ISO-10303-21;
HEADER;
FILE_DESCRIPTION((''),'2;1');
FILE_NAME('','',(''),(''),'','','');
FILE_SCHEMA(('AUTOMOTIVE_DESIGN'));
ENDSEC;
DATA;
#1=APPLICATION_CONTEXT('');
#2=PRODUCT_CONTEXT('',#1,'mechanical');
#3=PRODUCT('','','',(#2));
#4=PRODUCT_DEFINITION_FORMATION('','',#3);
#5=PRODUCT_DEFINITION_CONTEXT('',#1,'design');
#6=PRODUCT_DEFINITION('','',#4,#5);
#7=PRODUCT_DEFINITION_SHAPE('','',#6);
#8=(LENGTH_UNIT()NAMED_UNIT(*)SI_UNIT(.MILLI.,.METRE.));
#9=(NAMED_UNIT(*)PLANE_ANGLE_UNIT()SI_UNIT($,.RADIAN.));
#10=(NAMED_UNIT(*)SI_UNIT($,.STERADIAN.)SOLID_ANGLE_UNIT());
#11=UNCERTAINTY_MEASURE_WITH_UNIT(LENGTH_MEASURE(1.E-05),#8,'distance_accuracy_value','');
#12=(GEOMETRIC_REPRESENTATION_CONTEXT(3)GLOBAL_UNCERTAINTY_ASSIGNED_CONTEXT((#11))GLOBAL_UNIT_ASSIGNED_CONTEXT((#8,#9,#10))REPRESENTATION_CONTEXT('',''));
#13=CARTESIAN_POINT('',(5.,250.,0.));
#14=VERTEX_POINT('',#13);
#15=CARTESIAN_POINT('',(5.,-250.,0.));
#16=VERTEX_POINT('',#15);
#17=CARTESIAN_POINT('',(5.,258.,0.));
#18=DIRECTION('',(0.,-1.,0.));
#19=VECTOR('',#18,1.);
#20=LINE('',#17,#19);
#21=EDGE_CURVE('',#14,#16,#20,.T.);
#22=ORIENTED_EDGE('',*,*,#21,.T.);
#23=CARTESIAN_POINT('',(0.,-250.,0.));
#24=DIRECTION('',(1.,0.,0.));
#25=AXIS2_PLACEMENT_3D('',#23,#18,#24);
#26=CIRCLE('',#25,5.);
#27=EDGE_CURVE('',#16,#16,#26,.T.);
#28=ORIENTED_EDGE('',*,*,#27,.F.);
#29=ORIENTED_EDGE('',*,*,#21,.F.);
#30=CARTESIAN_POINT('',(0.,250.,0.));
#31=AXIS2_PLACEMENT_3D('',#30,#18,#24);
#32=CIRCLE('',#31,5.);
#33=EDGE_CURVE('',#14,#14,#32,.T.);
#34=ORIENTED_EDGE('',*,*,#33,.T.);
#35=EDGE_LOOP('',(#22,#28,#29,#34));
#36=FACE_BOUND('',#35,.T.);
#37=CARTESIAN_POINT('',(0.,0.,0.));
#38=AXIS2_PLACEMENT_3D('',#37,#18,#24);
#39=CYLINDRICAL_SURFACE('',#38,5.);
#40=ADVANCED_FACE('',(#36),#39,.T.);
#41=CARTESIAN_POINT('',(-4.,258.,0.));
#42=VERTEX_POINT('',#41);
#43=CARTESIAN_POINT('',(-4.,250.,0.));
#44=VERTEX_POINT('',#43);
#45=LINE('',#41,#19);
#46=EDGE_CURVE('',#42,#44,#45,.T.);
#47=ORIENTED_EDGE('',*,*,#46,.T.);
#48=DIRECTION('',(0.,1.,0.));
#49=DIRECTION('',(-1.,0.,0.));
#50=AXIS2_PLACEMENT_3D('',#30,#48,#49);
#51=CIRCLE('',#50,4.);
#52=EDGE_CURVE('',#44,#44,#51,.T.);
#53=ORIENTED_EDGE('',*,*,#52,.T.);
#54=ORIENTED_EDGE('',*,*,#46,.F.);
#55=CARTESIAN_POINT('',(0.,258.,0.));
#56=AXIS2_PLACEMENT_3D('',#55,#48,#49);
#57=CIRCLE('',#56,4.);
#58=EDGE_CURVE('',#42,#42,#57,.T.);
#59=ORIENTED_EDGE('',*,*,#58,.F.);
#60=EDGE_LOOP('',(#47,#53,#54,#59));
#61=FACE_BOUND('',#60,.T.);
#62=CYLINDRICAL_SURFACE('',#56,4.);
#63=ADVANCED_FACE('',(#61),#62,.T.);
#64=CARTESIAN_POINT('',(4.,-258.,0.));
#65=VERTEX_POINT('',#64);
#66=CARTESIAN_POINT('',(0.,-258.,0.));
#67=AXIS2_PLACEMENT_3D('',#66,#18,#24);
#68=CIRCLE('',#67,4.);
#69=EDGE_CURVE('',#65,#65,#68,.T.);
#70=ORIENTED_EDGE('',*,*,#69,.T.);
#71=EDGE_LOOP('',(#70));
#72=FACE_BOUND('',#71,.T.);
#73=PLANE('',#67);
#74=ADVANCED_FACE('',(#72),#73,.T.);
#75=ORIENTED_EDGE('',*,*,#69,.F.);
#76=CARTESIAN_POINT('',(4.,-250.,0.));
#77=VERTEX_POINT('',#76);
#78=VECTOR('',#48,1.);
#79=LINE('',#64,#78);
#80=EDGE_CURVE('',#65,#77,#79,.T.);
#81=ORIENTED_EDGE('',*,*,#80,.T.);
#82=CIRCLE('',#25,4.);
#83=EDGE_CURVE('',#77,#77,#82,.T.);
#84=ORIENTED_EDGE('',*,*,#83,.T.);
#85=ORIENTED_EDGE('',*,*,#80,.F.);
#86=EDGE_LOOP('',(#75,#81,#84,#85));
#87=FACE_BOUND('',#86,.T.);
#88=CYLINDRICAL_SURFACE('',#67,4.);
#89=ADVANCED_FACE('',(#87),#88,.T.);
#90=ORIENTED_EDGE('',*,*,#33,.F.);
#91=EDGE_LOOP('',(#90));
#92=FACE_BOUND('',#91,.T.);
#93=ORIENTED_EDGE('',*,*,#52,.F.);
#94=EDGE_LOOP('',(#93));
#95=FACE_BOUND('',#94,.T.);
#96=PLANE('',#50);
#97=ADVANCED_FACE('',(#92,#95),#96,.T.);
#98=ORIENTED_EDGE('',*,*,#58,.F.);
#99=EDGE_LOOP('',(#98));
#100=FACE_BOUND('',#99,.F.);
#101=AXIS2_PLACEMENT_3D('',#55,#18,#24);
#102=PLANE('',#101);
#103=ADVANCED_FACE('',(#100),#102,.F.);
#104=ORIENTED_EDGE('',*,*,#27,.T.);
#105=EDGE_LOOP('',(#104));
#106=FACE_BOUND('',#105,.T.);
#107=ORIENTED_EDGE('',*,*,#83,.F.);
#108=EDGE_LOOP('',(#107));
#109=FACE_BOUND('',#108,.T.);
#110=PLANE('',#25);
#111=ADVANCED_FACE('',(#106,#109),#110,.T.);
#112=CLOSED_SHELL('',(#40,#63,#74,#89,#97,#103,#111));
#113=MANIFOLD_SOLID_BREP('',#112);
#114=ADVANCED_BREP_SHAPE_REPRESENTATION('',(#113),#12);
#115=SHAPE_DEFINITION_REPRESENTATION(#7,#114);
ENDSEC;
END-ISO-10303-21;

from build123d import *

# Parameters (mm, degrees)
F0_R     = 5
F1_DEPTH = 258
F2_R     = 9
F2_R_2   = 4
F3_DEPTH = 8
F4_R     = 5
F4_R_2   = 4
F5_DEPTH = 8


with BuildPart() as f1:
    # F0 (on Front) → F1 (new body, symmetric)
    with BuildSketch(Plane.XZ):
        Circle(F0_R)
    extrude(amount=F1_DEPTH, both=True)

    # F2 (on face) → F3 (cut)
    with BuildSketch(Plane.XZ.offset(258)):
        Circle(F2_R)
        Circle(F2_R_2, mode=Mode.SUBTRACT)
    extrude(amount=-F3_DEPTH, mode=Mode.SUBTRACT)

    # F4 (on face) → F5 (cut)
    with BuildSketch(Plane(origin=(0, 258, 0), x_dir=(-1, 0, 0), z_dir=(0, 1, 0))):
        Circle(F4_R)
        Circle(F4_R_2, mode=Mode.SUBTRACT)
    extrude(amount=-F5_DEPTH, mode=Mode.SUBTRACT)


solid = f1.part
